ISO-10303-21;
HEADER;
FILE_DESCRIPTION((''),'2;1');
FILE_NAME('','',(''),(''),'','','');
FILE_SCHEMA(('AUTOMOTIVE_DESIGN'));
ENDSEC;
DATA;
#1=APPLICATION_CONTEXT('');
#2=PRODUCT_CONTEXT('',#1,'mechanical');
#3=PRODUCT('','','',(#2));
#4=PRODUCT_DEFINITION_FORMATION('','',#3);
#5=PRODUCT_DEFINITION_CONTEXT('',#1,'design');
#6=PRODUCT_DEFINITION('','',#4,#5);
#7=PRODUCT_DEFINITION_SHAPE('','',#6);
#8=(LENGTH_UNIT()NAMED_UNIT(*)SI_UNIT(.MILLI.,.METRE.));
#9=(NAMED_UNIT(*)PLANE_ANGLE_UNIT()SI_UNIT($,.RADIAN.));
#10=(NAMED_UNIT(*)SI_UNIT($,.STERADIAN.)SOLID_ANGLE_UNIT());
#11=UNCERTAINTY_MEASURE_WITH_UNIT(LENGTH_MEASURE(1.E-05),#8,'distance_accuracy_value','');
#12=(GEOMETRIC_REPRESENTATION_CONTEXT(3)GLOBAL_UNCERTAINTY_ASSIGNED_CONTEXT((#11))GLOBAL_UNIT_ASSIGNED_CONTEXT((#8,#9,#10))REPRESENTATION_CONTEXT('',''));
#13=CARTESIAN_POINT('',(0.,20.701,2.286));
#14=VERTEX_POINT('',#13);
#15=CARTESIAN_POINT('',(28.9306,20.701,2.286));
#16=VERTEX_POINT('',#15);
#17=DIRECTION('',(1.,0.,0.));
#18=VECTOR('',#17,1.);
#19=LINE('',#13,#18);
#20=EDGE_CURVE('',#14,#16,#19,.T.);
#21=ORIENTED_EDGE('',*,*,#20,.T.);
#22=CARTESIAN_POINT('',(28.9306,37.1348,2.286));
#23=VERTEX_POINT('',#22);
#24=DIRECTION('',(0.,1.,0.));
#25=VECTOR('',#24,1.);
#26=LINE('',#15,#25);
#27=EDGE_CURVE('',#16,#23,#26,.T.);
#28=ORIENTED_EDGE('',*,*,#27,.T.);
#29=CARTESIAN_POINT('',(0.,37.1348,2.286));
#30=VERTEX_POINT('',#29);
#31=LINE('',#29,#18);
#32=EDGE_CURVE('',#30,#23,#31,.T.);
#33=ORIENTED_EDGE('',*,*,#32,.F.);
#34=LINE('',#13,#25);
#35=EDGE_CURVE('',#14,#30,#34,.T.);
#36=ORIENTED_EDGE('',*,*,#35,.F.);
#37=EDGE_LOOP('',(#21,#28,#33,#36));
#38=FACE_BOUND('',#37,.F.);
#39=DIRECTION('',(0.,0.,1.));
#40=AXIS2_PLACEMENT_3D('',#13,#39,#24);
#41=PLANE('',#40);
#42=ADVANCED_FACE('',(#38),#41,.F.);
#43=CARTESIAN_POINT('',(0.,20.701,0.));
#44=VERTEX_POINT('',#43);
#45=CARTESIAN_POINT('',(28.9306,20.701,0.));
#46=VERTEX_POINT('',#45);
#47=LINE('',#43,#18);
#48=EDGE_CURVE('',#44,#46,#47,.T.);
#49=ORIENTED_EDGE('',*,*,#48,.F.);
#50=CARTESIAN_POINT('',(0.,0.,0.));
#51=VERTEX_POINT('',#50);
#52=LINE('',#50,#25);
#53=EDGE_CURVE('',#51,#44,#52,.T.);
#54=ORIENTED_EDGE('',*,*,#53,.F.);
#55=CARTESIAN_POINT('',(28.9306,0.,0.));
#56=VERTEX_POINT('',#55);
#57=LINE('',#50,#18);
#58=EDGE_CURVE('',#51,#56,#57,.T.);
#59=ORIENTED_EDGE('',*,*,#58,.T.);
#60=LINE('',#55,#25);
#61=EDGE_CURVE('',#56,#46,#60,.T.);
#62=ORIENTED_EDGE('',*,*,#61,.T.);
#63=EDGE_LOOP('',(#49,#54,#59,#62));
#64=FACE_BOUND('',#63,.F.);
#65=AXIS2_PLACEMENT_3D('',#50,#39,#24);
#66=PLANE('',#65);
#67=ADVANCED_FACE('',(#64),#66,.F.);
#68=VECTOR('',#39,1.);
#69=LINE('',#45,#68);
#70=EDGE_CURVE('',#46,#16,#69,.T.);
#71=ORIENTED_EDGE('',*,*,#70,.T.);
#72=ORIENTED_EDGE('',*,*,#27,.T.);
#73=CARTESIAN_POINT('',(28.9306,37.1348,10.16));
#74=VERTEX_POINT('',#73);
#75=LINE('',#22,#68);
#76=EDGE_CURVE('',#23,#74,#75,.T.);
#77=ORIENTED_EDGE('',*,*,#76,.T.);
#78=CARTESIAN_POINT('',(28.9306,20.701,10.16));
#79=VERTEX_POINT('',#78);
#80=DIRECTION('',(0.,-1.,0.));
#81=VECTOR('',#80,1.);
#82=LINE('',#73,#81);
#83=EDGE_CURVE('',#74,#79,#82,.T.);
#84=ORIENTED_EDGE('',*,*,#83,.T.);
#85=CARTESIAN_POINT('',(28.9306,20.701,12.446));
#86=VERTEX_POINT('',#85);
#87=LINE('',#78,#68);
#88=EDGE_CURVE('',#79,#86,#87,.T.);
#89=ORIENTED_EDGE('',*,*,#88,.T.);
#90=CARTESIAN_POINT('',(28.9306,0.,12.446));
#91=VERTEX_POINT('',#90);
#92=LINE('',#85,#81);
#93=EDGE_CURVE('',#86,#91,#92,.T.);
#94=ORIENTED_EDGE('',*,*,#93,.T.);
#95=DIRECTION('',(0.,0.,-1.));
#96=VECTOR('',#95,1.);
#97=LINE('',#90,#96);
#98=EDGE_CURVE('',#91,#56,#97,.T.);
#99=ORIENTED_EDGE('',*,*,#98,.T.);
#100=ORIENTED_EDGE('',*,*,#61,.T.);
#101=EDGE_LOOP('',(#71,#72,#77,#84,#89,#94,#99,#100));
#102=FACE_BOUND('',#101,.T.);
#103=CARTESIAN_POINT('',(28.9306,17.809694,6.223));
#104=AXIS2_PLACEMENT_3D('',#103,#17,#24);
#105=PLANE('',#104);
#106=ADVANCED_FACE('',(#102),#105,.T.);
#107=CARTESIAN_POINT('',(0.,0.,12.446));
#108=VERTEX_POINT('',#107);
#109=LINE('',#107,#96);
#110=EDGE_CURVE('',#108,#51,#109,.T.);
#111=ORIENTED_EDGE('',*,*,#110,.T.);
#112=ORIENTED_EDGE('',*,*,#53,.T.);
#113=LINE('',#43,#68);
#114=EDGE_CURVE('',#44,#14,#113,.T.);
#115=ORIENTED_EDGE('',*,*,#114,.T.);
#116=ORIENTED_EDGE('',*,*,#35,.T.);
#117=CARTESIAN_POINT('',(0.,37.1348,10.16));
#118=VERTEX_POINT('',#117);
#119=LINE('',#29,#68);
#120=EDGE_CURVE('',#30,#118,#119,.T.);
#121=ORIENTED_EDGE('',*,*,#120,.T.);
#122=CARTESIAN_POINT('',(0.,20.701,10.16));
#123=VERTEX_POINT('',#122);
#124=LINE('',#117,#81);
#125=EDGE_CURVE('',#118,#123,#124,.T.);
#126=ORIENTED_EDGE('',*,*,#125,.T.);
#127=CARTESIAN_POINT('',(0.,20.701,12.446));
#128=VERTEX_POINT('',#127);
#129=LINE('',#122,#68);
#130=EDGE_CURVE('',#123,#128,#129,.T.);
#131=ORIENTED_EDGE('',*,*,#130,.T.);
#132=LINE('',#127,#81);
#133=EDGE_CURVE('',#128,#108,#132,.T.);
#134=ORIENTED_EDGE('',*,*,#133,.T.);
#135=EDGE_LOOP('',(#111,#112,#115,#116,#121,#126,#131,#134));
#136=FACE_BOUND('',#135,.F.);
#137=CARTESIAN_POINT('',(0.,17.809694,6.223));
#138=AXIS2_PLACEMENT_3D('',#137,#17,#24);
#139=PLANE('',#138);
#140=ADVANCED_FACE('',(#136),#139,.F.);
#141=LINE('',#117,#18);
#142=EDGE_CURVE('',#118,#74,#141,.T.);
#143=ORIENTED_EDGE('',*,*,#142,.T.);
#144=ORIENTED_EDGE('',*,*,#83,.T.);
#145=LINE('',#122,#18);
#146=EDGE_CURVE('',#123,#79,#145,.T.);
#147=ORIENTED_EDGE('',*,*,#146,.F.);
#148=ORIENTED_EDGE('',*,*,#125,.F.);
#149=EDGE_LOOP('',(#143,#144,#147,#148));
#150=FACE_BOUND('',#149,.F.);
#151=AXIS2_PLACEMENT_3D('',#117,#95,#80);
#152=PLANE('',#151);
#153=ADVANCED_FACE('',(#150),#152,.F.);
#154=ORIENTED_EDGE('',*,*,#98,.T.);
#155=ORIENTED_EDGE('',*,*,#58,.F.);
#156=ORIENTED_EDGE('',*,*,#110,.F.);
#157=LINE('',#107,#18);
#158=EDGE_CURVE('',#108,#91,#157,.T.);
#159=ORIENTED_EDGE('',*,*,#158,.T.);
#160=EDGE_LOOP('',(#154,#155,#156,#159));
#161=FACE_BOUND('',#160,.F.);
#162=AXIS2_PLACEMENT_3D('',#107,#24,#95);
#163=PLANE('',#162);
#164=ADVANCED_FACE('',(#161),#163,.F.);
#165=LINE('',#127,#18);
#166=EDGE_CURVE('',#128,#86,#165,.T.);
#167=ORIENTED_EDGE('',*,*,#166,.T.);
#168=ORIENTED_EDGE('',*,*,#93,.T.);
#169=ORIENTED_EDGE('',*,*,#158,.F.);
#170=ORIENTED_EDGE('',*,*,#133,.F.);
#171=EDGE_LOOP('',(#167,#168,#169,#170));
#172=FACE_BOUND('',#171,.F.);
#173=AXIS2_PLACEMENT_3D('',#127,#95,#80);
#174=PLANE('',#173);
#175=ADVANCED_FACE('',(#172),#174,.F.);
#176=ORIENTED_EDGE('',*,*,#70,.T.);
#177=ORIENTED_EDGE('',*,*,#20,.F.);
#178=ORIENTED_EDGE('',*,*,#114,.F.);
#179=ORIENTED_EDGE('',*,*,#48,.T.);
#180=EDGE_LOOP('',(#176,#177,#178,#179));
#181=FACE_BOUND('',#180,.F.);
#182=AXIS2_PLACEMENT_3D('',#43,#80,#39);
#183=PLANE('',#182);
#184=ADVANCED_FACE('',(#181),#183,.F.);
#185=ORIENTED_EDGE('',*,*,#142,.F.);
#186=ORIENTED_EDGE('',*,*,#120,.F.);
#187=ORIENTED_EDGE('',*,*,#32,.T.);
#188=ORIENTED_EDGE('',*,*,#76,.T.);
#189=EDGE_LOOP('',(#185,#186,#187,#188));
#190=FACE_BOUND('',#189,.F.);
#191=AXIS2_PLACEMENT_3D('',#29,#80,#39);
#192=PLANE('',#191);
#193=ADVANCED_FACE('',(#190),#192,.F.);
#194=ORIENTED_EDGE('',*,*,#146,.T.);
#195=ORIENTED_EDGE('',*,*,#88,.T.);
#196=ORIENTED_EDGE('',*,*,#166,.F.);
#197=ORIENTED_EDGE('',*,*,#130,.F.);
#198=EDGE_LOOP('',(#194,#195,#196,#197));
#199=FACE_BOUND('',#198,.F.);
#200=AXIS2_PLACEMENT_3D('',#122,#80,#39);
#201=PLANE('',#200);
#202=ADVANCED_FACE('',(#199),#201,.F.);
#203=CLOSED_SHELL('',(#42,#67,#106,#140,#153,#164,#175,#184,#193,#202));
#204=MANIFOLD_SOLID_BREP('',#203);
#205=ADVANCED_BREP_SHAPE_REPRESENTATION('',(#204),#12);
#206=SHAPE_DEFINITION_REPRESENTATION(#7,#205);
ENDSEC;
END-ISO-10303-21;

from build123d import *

# Parameters (mm, degrees)
F1_DEPTH = 28.9306


with BuildPart() as f1:
    # F0 (on Right) → F1 (new body)
    with BuildSketch(Plane.YZ):
        Polygon((0, 12.446), (0, 0), (20.701, 0), (20.701, 2.286), (37.1348, 2.286), (37.1348, 6.223), (37.1348, 10.16), (20.701, 10.16), (20.701, 12.446), align=None)
    extrude(amount=F1_DEPTH)


solid = f1.part
